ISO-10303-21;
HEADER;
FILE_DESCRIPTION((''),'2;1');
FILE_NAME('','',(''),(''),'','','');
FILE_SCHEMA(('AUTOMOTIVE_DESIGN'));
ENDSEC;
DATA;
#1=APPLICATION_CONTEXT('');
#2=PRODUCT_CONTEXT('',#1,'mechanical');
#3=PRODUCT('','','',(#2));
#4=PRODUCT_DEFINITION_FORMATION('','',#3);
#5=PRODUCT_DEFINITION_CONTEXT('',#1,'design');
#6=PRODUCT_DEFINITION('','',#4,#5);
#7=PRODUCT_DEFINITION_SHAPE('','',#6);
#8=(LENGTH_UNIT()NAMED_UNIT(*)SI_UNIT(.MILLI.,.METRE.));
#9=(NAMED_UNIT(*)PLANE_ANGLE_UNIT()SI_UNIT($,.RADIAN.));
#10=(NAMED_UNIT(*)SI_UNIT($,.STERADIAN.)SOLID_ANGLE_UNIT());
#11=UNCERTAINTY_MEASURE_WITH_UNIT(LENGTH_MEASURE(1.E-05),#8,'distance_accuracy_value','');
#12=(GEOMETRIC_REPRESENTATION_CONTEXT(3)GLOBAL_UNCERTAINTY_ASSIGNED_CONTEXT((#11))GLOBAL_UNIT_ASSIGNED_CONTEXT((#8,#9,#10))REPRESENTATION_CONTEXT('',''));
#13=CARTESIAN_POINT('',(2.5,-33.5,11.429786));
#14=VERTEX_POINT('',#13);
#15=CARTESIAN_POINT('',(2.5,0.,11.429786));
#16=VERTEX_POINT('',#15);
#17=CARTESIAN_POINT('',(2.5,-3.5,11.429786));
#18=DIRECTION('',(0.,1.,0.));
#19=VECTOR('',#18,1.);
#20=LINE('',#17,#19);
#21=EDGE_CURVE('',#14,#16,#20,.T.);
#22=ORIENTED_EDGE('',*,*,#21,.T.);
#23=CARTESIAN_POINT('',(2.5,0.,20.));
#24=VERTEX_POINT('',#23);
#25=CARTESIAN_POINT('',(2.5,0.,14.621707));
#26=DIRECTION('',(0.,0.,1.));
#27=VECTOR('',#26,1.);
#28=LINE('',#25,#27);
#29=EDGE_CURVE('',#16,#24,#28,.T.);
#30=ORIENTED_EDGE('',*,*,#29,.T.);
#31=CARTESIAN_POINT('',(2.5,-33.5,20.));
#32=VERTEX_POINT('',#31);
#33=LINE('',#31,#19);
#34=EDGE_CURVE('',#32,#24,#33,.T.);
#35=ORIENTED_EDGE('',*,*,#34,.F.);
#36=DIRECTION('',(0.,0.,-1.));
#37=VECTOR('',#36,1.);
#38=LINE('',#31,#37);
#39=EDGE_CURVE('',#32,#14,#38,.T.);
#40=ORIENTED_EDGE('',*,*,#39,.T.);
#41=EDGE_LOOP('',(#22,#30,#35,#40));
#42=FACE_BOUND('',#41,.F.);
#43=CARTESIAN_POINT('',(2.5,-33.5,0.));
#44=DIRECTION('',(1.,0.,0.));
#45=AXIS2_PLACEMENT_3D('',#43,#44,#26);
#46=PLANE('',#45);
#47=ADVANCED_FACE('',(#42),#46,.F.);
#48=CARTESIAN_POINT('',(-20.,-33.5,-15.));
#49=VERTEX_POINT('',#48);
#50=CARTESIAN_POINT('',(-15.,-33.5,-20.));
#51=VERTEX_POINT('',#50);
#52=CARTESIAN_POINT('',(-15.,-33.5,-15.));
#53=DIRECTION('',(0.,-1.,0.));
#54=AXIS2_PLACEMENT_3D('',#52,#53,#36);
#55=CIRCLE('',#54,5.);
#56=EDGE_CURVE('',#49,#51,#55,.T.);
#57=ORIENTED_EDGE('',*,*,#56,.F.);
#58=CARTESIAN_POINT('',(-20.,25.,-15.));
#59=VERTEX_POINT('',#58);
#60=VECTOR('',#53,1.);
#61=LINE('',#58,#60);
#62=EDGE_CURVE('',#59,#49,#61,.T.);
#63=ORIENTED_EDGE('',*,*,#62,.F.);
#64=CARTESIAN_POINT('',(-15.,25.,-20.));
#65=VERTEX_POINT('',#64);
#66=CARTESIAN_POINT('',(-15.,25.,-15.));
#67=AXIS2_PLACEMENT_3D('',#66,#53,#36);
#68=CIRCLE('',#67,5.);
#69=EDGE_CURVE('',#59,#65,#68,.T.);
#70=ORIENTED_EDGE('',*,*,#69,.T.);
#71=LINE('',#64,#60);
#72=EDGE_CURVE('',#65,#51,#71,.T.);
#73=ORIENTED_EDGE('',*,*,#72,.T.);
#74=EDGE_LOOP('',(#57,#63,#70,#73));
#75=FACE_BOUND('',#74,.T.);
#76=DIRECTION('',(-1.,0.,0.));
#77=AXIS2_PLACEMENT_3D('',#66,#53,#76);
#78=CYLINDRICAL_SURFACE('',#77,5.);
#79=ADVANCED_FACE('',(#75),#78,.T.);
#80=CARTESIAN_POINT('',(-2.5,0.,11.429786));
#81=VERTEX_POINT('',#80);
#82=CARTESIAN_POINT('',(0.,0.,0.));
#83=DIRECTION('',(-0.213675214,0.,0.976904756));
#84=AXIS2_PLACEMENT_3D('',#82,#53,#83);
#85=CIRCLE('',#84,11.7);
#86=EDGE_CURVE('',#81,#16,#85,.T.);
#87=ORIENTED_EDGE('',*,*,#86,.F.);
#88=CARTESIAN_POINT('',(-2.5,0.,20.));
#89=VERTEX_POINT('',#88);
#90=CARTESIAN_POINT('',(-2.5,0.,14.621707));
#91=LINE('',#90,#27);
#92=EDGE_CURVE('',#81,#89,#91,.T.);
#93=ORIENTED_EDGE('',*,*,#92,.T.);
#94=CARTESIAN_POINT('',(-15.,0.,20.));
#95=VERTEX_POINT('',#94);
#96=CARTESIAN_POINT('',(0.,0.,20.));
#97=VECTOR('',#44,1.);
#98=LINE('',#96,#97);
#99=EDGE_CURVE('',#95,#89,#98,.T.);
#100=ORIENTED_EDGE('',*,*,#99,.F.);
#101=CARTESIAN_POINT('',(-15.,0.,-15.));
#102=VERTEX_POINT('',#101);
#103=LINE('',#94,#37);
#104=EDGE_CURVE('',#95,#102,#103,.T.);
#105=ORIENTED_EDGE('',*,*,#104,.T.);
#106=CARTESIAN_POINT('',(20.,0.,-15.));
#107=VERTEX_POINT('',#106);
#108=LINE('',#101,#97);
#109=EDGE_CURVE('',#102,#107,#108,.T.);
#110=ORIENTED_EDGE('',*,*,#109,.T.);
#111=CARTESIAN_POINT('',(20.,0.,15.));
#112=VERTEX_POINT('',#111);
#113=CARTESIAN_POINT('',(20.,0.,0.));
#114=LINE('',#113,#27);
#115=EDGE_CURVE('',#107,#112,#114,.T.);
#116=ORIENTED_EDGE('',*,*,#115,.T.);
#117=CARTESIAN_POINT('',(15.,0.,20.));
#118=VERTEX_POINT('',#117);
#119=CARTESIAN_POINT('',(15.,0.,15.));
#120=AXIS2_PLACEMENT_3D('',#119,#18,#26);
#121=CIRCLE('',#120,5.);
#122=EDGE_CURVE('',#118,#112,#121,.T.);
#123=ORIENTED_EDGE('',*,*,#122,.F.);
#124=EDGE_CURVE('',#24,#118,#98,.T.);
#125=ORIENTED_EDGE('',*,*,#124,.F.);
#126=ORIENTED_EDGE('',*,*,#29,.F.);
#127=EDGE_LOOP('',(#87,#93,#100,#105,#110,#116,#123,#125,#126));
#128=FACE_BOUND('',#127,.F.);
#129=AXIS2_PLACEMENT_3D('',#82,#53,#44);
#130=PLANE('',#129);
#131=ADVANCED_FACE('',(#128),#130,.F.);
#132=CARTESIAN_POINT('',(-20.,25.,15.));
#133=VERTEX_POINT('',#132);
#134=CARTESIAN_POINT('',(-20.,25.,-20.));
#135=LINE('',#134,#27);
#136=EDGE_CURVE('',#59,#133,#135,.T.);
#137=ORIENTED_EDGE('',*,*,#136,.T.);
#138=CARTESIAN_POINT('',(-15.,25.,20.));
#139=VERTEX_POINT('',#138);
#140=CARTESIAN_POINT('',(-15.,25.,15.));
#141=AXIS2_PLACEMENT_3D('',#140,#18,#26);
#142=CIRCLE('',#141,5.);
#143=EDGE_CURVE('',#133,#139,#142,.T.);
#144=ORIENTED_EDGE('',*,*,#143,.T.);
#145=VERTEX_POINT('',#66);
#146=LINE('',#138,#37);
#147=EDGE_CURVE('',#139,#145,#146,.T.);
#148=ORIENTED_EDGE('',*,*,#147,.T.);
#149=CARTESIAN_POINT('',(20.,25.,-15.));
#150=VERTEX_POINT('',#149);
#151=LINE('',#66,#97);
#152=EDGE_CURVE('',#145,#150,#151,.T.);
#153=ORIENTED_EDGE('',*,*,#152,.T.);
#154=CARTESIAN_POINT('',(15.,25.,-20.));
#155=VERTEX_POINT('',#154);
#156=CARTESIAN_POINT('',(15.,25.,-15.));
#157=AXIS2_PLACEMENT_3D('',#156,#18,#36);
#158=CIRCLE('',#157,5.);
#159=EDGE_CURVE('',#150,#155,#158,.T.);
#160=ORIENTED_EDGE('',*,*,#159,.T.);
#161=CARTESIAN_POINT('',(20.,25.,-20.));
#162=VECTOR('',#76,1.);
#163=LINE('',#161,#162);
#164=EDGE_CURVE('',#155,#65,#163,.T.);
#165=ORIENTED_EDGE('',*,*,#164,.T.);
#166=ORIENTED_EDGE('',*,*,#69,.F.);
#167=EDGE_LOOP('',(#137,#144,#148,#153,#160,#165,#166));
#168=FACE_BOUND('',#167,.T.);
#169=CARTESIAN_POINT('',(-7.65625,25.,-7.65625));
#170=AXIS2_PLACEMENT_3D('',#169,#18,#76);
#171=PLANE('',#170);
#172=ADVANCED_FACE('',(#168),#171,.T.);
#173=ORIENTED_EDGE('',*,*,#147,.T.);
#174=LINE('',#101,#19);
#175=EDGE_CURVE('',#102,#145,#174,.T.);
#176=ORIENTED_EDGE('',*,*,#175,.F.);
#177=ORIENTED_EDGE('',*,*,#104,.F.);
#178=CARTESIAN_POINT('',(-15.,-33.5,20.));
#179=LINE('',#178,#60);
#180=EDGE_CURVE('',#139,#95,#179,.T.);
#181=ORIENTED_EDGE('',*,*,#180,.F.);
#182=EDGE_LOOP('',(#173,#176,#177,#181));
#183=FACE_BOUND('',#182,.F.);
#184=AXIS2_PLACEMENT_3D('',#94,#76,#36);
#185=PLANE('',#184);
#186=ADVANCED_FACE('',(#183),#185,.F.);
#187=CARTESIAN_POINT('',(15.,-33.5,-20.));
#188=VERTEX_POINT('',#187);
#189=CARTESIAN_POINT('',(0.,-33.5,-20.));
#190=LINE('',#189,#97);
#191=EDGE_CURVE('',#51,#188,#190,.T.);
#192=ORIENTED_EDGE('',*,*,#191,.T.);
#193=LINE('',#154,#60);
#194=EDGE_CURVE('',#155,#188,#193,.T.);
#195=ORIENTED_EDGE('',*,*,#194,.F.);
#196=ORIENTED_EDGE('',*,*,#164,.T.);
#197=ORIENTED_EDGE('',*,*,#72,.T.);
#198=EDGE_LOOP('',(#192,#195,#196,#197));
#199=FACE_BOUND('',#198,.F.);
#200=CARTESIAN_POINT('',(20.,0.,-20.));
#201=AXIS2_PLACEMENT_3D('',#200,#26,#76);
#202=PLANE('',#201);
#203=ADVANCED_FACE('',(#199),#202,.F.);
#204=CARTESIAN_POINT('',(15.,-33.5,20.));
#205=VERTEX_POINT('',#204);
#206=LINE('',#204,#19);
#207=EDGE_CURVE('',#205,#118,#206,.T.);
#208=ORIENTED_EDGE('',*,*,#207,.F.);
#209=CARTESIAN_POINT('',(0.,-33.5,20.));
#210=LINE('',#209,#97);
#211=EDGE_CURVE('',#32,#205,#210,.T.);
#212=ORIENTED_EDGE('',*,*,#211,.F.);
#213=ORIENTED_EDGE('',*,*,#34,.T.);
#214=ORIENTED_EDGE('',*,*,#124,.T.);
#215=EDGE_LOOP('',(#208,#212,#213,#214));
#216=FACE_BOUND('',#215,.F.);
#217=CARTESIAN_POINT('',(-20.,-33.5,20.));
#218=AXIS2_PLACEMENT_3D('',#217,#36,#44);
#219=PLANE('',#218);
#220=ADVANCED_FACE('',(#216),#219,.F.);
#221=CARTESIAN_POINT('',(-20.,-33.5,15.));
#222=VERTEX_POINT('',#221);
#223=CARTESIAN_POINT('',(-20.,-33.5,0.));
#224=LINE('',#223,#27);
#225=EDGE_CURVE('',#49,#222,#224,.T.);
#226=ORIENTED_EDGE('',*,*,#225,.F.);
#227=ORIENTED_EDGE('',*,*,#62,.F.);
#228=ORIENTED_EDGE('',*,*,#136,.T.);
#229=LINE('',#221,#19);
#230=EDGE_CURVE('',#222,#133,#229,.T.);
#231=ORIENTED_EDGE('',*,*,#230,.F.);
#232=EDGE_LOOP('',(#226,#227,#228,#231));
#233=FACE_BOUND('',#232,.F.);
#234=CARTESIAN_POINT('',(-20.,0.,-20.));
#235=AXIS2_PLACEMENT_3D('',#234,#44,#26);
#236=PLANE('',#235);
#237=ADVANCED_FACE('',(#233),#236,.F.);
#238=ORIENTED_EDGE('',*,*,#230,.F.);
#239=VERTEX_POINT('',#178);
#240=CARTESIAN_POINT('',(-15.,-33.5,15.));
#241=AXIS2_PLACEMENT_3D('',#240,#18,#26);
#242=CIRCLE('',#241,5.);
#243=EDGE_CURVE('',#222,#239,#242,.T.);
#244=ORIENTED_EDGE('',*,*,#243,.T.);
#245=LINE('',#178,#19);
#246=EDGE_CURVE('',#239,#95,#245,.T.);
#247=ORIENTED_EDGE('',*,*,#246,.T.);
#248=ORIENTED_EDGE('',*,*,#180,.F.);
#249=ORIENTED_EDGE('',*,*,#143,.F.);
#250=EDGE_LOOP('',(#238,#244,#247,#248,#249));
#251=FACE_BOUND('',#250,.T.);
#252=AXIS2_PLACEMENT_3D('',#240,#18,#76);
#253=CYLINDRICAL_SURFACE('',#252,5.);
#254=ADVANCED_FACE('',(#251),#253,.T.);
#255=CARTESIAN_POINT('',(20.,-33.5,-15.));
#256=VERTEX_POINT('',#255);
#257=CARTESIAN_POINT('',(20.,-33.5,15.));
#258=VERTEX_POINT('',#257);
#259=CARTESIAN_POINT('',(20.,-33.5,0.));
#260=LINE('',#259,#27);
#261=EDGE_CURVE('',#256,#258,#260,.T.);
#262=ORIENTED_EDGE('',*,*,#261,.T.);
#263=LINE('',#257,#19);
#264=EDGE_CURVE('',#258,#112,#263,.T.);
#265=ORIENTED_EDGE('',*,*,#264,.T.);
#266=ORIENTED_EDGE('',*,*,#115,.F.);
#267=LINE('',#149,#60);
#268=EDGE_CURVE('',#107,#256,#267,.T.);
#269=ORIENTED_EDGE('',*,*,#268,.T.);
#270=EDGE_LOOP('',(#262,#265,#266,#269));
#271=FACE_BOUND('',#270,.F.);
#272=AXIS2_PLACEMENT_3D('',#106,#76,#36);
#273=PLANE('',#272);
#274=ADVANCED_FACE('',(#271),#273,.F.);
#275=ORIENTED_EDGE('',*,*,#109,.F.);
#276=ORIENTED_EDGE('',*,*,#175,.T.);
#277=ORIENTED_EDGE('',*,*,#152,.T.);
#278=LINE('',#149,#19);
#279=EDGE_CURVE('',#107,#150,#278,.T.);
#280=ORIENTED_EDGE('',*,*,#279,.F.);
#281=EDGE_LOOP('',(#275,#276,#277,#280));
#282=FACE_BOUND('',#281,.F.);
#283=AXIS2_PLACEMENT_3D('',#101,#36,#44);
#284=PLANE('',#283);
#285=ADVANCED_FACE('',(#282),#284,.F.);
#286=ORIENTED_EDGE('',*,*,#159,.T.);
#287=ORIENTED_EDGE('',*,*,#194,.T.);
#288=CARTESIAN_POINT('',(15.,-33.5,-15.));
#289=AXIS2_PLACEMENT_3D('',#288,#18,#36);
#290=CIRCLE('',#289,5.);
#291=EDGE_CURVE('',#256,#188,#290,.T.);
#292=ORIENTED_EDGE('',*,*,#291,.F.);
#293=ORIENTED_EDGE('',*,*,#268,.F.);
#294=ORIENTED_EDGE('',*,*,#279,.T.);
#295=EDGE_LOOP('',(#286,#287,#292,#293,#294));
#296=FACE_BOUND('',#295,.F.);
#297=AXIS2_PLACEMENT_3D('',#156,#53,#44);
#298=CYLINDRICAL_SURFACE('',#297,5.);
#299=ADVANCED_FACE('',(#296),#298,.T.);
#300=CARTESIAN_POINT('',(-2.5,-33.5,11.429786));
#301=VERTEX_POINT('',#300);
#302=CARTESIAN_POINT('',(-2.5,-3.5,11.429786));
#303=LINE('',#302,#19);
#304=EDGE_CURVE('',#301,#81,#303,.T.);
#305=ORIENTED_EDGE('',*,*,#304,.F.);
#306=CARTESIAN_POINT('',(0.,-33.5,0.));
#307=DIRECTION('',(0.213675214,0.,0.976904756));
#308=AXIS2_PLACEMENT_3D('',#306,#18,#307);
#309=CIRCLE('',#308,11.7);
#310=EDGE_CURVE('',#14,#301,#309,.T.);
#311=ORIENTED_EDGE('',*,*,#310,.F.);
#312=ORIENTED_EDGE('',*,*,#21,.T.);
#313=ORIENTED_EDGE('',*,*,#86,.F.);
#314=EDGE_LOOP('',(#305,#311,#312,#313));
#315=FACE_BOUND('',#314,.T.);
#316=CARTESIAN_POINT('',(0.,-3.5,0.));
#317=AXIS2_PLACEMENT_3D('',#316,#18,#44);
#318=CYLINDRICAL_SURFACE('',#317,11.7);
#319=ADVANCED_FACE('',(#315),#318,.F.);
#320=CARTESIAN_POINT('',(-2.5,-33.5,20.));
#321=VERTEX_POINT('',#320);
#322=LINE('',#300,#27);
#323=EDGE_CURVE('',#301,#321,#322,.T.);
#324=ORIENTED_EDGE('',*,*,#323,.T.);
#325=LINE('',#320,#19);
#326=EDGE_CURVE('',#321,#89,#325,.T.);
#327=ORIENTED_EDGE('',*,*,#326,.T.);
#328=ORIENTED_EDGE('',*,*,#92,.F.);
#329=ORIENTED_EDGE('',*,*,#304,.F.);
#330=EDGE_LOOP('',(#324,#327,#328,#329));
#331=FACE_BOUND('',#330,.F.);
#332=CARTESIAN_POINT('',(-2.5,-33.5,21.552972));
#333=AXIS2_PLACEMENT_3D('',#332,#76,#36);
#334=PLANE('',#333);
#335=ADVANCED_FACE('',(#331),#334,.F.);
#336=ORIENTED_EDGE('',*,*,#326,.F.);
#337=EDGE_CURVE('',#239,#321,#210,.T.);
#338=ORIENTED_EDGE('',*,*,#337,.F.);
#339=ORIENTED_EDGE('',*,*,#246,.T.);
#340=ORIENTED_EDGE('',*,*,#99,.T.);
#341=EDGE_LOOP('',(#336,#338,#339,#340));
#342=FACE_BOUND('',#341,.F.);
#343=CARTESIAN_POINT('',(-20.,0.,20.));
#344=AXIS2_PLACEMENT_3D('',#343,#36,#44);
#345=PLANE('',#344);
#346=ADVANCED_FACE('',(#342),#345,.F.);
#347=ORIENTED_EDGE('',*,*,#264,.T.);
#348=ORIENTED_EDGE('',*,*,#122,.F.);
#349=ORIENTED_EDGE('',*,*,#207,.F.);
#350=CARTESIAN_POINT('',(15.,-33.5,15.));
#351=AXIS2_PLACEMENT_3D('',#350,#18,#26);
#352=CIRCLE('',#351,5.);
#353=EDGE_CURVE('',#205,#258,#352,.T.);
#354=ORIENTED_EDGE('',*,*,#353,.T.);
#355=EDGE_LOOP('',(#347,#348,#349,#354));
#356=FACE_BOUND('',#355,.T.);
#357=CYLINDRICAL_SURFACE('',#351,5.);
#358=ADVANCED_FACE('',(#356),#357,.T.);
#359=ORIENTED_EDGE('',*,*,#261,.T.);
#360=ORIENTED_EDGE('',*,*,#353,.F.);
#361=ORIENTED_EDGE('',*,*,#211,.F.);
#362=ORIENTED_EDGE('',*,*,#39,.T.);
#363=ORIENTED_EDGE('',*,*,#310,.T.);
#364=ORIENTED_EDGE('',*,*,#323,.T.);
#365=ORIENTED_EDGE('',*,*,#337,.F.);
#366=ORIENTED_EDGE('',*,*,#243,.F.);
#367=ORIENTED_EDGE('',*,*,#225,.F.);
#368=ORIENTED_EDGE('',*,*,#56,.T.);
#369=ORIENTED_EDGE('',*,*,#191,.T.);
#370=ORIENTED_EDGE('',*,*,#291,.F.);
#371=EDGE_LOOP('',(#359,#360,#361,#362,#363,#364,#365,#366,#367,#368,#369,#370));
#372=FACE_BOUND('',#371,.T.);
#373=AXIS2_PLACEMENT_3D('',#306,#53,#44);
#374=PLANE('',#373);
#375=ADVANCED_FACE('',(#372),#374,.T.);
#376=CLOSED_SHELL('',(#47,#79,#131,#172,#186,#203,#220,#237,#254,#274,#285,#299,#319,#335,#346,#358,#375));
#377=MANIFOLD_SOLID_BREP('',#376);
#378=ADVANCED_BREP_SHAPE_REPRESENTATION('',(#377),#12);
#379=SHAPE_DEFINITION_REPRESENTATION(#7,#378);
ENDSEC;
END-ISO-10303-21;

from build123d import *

# Parameters (mm, degrees)
F0_W      = 40
F0_H      = 40
F0_R      = 11.7
F1_DEPTH  = 3.5
F2_R      = 16.7
F2_R_2    = 11.7
F3_DEPTH  = 30
F4_W      = 5
F4_H      = 29.243415
F5_DEPTH  = 33.5
F6_W      = 40
F6_H      = 40
F6_R      = 16.7
F7_DEPTH  = 30.5
F9_DEPTH  = 37.3
F11_DEPTH = 25
F12_R     = 5


with BuildPart() as f1:
    # F0 (on Front) → F1 (new body)
    with BuildSketch(Plane.XZ):
        Rectangle(F0_W, F0_H)
        Circle(F0_R, mode=Mode.SUBTRACT)
    extrude(amount=F1_DEPTH)

    # F2 (on face) → F3 (join)
    with BuildSketch(Plane.XZ.offset(3.5)):
        Circle(F2_R)
        Circle(F2_R_2, mode=Mode.SUBTRACT)
    extrude(amount=F3_DEPTH)

    # F4 (on face) → F5 (cut, through all)
    with BuildSketch(Plane.XZ.offset(33.5)):
        with Locations((0, 14.621707)):
            Rectangle(F4_W, F4_H)
    extrude(amount=-F5_DEPTH, mode=Mode.SUBTRACT)

    # F6 (on face) → F7 (join)
    with BuildSketch(Plane.XZ.offset(33.5)):
        Rectangle(F6_W, F6_H)
        Circle(F6_R, mode=Mode.SUBTRACT)
    extrude(amount=-F7_DEPTH)

    # F8 (on face) → F9 (cut)
    with BuildSketch(Plane.XZ.offset(33.5)):
        Polygon((2.5, 7.926429), (2.5, 11.429786), (2.5, 21.552972), (-2.5, 21.552972), (-2.5, 7.926429), align=None)
    extrude(amount=-F9_DEPTH, mode=Mode.SUBTRACT)

    # F10 (on face) → F11 (join)
    with BuildSketch(Plane(origin=(0, 0, 0), x_dir=(-1, 0, 0), z_dir=(0, 1, 0))):
        Polygon((20, -20), (20, 20), (15, 20), (15, -15), (-20, -15), (-20, -20), align=None)
    extrude(amount=F11_DEPTH)

    # F12
    f12_edges = [f1.edges().sort_by_distance(p)[0] for p in [
        (-20, -4.25, -20),
        (-20, -4.25, 20),
        (20, -4.25, -20),
        (20, -16.75, 20),
    ]]
    fillet(f12_edges, radius=F12_R)


solid = f1.part
